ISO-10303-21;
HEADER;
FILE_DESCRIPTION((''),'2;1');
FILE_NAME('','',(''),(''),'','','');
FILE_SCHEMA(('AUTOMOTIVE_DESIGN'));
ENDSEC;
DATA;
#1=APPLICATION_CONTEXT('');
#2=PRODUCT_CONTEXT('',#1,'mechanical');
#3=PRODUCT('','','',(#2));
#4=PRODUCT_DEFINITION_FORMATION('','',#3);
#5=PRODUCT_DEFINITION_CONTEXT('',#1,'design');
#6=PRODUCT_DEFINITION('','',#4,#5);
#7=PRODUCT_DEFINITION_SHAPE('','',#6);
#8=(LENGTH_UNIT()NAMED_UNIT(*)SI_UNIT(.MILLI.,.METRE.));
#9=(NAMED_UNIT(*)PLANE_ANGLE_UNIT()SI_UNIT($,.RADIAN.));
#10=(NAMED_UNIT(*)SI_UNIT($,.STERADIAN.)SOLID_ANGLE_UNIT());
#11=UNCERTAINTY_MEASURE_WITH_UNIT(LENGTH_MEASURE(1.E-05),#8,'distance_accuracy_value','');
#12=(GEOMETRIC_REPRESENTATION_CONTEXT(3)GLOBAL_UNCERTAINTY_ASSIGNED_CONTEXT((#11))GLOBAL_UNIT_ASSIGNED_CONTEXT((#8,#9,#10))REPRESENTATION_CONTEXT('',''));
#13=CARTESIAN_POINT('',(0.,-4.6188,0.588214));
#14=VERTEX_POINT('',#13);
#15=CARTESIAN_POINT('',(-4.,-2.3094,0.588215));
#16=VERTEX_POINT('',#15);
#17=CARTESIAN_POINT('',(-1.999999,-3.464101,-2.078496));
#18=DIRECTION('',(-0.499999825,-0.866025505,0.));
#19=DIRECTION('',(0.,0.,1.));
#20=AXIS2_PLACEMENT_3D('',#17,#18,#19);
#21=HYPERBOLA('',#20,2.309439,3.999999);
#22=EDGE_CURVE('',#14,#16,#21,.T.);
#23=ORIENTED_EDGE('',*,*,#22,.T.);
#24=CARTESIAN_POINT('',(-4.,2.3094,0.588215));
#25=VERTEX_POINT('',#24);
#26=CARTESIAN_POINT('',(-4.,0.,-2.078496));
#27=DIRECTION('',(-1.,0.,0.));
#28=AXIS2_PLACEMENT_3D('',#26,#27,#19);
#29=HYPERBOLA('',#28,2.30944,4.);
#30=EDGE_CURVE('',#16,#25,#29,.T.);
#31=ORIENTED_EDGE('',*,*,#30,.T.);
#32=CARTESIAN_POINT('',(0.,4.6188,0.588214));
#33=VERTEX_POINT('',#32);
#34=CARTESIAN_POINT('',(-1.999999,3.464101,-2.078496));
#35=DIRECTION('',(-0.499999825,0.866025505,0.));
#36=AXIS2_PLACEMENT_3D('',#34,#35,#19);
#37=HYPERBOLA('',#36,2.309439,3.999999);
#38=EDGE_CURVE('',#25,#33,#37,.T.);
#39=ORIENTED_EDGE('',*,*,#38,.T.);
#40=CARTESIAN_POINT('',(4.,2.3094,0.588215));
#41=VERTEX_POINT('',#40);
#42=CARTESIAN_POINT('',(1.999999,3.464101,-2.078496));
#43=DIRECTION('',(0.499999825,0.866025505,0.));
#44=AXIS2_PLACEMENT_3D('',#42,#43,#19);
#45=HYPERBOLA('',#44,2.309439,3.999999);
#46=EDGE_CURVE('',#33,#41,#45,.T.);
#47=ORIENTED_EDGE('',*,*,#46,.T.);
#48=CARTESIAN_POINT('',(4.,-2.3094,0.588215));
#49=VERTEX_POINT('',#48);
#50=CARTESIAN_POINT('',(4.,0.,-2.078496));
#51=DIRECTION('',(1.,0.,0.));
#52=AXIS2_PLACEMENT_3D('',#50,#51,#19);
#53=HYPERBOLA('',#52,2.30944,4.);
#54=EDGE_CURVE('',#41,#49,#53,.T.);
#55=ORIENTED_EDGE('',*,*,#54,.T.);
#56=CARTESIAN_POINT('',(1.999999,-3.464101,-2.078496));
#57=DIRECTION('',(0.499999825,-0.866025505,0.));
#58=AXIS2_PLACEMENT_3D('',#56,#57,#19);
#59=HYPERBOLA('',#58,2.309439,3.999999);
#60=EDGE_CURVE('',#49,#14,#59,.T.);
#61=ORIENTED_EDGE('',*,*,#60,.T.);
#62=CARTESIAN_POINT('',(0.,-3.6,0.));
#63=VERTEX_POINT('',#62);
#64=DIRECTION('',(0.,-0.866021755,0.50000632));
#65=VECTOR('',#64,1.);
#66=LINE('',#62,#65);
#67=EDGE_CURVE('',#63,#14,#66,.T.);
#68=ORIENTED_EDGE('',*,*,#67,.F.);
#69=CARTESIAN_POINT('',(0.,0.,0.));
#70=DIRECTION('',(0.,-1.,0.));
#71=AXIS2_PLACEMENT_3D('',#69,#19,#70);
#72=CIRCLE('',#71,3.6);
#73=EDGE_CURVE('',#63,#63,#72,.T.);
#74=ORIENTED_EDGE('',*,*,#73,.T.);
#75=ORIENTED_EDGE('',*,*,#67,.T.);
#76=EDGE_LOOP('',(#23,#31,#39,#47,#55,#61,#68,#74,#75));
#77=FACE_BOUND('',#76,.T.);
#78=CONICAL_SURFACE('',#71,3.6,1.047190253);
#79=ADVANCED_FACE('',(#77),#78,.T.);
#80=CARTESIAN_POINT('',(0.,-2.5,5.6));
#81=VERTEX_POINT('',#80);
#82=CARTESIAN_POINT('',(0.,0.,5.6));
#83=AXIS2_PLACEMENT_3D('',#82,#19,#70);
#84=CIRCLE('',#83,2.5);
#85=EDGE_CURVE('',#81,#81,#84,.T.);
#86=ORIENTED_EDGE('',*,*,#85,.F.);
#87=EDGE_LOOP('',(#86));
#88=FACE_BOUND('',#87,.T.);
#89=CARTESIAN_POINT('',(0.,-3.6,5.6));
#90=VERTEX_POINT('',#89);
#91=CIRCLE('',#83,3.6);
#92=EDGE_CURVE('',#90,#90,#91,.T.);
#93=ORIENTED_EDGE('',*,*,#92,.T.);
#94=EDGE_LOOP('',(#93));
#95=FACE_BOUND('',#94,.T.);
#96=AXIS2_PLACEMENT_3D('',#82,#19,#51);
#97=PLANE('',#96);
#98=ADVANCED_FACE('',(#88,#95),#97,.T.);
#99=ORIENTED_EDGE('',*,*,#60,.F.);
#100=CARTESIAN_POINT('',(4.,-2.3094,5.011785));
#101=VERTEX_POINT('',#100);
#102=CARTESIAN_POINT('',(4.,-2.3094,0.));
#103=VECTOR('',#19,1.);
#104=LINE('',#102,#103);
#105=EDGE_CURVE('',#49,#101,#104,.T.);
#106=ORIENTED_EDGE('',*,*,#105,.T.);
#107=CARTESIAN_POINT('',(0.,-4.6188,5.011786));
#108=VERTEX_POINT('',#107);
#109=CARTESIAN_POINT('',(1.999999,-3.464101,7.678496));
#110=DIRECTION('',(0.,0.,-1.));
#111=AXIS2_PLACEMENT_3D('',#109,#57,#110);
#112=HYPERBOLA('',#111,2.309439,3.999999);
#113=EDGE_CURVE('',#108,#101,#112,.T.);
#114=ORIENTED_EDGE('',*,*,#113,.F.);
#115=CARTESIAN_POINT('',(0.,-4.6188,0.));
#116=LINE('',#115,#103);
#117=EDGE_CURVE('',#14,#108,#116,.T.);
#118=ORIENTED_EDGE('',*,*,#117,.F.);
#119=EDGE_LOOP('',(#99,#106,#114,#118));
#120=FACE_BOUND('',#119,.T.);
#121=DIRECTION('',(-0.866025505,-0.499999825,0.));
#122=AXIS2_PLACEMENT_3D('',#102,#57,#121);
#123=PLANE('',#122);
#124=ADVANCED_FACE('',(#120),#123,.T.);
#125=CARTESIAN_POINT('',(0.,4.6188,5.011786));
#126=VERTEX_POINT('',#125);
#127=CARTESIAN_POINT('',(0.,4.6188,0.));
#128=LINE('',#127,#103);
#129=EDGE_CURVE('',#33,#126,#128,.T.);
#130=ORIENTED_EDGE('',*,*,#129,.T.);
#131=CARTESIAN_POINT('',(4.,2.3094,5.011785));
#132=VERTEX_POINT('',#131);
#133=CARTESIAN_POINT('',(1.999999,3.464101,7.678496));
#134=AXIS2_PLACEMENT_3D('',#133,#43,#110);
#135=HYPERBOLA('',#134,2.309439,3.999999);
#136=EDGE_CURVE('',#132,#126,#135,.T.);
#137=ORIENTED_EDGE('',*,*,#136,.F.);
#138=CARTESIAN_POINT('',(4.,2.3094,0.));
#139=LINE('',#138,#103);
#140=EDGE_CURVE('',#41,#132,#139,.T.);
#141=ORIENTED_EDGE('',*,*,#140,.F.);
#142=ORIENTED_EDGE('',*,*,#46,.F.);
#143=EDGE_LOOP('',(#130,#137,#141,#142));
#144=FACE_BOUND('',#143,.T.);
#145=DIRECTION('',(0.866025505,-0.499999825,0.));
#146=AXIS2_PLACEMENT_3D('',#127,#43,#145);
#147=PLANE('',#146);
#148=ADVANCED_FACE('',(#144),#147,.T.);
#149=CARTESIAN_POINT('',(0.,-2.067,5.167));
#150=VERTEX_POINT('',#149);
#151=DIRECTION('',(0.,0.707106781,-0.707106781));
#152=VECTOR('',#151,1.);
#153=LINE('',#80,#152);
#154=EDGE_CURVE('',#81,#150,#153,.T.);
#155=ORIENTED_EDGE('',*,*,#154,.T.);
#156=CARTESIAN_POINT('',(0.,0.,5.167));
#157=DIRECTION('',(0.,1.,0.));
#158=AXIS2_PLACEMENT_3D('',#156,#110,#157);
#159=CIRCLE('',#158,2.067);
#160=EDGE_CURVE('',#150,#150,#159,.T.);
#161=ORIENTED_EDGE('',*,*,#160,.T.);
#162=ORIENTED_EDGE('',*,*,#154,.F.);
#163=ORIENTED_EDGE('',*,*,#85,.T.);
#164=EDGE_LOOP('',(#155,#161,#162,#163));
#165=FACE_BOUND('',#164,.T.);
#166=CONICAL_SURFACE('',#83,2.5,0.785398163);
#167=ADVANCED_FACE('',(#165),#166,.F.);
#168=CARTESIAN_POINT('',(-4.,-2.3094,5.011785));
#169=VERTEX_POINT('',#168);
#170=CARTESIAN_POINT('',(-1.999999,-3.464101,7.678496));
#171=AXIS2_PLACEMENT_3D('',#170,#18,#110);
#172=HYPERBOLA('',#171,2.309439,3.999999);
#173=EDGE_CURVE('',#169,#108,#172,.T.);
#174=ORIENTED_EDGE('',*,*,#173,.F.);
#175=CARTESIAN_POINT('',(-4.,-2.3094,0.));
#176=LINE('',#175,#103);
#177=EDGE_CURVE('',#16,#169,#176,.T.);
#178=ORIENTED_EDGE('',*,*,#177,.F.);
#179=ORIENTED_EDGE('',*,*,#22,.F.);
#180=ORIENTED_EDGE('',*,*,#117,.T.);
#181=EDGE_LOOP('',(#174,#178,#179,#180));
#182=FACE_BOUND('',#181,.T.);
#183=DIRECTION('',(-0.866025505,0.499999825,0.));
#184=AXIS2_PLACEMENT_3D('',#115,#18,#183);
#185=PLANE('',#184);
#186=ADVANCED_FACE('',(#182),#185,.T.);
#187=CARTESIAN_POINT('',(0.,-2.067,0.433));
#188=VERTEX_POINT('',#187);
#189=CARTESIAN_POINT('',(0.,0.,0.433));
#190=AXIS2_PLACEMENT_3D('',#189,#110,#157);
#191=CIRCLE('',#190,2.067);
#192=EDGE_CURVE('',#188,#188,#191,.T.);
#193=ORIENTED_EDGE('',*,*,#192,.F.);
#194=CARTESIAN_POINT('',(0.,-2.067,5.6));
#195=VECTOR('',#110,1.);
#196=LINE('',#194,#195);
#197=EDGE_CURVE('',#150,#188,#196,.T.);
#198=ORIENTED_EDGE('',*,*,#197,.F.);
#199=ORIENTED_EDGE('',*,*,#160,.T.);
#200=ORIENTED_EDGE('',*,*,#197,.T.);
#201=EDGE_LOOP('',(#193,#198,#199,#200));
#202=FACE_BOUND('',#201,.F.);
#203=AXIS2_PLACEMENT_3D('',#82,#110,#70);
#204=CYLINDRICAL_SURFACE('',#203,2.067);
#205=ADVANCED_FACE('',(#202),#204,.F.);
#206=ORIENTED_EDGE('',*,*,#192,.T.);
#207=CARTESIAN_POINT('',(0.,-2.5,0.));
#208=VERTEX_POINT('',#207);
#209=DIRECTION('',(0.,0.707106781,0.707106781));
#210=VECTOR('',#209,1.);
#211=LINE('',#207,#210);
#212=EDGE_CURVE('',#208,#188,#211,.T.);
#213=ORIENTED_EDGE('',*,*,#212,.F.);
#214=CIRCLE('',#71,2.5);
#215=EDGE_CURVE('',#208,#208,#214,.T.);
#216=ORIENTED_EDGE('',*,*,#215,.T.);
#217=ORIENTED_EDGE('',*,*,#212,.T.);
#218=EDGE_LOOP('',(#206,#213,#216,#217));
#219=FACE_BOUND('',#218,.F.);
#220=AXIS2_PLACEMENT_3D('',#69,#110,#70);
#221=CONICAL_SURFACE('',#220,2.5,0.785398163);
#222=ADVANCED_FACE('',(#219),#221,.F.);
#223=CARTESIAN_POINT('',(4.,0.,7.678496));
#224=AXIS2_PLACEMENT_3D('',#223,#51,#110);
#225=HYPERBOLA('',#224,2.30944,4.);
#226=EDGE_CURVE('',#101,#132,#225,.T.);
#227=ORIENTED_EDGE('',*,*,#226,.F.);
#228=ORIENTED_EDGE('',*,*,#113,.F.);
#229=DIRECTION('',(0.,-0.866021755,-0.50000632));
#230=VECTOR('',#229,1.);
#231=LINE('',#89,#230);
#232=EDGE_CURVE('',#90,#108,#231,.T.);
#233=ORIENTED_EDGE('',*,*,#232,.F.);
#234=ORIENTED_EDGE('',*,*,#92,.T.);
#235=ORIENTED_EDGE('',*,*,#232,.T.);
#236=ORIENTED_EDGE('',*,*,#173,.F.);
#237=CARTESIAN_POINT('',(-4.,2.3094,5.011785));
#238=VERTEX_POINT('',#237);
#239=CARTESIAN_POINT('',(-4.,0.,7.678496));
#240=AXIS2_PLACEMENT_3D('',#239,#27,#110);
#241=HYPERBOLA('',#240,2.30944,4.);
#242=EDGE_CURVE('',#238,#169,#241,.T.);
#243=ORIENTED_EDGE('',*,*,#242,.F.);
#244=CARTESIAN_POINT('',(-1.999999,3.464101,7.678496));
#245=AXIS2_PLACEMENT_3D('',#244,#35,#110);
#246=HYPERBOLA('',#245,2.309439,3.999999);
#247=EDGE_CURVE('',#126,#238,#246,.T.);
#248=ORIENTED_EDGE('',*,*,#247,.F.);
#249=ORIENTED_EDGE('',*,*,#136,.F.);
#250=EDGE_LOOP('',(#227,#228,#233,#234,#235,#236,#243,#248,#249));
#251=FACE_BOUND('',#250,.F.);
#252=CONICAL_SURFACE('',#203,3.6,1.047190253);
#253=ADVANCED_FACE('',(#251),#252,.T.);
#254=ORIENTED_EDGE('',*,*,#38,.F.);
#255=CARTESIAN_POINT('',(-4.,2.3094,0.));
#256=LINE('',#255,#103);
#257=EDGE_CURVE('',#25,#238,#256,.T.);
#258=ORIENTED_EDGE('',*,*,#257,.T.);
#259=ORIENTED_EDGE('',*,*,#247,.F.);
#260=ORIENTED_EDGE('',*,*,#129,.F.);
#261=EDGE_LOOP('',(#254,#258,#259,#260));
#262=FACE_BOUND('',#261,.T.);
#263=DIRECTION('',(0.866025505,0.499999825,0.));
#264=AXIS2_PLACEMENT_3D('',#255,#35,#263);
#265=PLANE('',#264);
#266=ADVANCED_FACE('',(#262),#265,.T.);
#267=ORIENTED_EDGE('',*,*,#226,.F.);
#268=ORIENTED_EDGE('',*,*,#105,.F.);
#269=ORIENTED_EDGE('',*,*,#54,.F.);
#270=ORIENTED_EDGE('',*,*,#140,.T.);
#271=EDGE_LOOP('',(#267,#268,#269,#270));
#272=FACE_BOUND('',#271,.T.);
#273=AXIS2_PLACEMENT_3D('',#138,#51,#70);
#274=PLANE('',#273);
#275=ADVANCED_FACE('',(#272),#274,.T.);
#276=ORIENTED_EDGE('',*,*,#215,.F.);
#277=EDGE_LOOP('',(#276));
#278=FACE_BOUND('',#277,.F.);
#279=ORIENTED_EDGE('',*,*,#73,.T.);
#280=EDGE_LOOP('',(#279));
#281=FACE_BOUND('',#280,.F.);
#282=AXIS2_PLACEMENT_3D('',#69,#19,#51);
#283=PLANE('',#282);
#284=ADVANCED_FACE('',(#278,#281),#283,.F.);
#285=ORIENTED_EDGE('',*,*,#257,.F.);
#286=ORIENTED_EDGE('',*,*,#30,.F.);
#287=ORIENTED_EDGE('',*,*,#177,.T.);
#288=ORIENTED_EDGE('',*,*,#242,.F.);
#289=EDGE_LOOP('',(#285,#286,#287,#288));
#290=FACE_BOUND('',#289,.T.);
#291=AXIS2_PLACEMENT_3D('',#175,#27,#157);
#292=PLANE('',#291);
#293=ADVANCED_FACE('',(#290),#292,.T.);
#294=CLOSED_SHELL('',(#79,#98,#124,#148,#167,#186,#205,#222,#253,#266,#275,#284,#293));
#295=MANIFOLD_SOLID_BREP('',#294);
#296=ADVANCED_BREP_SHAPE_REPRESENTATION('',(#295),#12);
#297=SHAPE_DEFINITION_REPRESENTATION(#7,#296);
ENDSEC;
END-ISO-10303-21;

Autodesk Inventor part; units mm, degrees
ref_plane "YZ Plane" through (0, 0, 0) normal (1, 0, 0) x (0, 1, 0)
sketch "Sketch1" plane through (0, 0, 0) normal (0, 0, 1) x (1, 0, 0)
  line L0 (-5.6, 0) -> (5.6, 0) construction
  line L1 (0, -6.4663) -> (0, 6.4663) construction
  line L2 (0, 4.6188) -> (4, 2.3094)
  line L3 (4, 2.3094) -> (4, -2.3094)
  line L4 (4, -2.3094) -> (0, -4.6188)
  line L5 (0, -4.6188) -> (-4, -2.3094)
  line L6 (-4, -2.3094) -> (-4, 2.3094)
  line L7 (-4, 2.3094) -> (0, 4.6188)
  point P0 (0, 0)
  point P1 (0, 0)
  dimension "d67" = 8
extrude "Выдавливание1" add sketch "Sketch1" along normal blind 5.6
ref_plane "Work Plane1" through (0, 0, 6.16) normal (0, 0, 1) x (1, 0, 0)
ref_plane "Work Plane2" through (0, 0, 2.8) normal (0, 0, 1) x (1, 0, 0)
sketch "Sketch2" plane through (0, 0, 5.6) normal (0, 0, 1) x (1, 0, 0)
  point P0 (0, 0)
hole "Отверстие1" at (0, 0, 5.6) direction (0, 0, -1) diameter 4.134 end through all thread size "M5x0.8" class "6H" standard "ISO Metric profile"
sketch "Sketch3" plane through (0, 0, 0) normal (1, 0, 0) x (0, 1, 0)
  line L0 (-2.3094, 5.6) -> (2.3094, 5.6) construction
  line L1 (2.3094, 5.6) -> (4.6188, 5.6) construction
  line L2 (-4.6188, 5.6) -> (-2.3094, 5.6) construction
  line L3 (-2.067, 0) -> (-2.067, 5.6) construction
  line L4 (2.3094, 0) -> (2.3094, 5.6) construction
  line L5 (0, -1.12) -> (0, 6.72) construction
  line L6 (-2.5, 5.6) -> (0, 3.1)
  line L7 (0, 3.1) -> (0, 5.6)
  line L8 (0, 5.6) -> (-2.5, 5.6)
  line L9 (2.5, 5.6) -> (0, 3.1)
  line L10 (0, 5.6) -> (2.5, 5.6)
  point P0 (0, 0)
  dimension "d57" = 45
  dimension "d58" = 5
revolve "Вращение1" cut sketch "Sketch3" angle 360 about axis through (0, 0, -10) along (0, 0, 1) contours L8 L7 L6
sketch "Sketch4" plane through (0, 0, 0) normal (1, 0, 0) x (0, 1, 0)
  line L0 (-3.6, 5.6) -> (-6.1, 4.1566)
  line L1 (-6.1, 4.1566) -> (-6.1, 5.6)
  line L2 (0, -1.12) -> (0, 6.72) construction
  line L3 (-3.6, 5.6) -> (-6.1, 5.6)
  line L4 (3.6, 5.6) -> (6.1, 4.1566)
  line L5 (6.1, 4.1566) -> (6.1, 5.6)
  line L6 (3.6, 5.6) -> (6.1, 5.6)
  point P0 (0, 0)
  dimension "d11" = 30
  dimension "d12" = 7.2
  dimension "d13" = 12.2
  dimension "d60" = 5.6
revolve "Вращение2" cut sketch "Sketch4" angle 360 about axis through (0, 0, -10) along (0, 0, 1) contours L0 L1 L3
mirror "ЗеркОтобр1" about plane through (0, 0, 2.8) normal (0, 0, 1) of "Вращение2"
sketch "Sketch5" plane through (0, 0, 0) normal (1, 0, 0) x (0, 1, 0)
  line L0 (2.067, 0) -> (-2.067, 0) construction
  line L1 (0, -1.12) -> (0, 6.72) construction
  line L2 (-2.5, 0) -> (0, 2.5)
  line L3 (0, 0) -> (-2.5, 0)
  line L4 (-2.067, 0) -> (2.067, 0) construction
  line L5 (2.5, 0) -> (-2.5, 0) construction
  line L6 (2.5, 0) -> (0, 2.5)
  line L7 (0, 0) -> (2.5, 0)
  line L8 (0, 2.5) -> (0, 0)
  point P0 (-1.2295, 3.4)
  point P1 (1.2295, 3.4)
  point P2 (-2.067, 5.6)
  dimension "d54" = 45
  dimension "d55" = 5
revolve "Вращение3" cut sketch "Sketch5" angle 360 about axis through (0, 0, -10) along (0, 0, 1) contours L2 L8 L3
equation "\"d67\" = S_"
equation "\"d1\" = m_"
equation "\"d12\" = dw"
equation "\"d13\" = dw + da"
equation "\"d60\" = m_"
equation "\"d55\" = da"
equation "\"d58\" = da"
equation "\"S_\" = 8"
equation "\"e\" = 8.6"
equation "\"da\" = 5"
equation "\"dw\" = 7.2"
equation "\"m_\" = 5.6"
equation "\"D\" = 5"
equation "\"d15\" = 0.1 * m_"
properties part number "Гайка M5 ГОСТ 15526-70" material "Сталь, мягкая"
